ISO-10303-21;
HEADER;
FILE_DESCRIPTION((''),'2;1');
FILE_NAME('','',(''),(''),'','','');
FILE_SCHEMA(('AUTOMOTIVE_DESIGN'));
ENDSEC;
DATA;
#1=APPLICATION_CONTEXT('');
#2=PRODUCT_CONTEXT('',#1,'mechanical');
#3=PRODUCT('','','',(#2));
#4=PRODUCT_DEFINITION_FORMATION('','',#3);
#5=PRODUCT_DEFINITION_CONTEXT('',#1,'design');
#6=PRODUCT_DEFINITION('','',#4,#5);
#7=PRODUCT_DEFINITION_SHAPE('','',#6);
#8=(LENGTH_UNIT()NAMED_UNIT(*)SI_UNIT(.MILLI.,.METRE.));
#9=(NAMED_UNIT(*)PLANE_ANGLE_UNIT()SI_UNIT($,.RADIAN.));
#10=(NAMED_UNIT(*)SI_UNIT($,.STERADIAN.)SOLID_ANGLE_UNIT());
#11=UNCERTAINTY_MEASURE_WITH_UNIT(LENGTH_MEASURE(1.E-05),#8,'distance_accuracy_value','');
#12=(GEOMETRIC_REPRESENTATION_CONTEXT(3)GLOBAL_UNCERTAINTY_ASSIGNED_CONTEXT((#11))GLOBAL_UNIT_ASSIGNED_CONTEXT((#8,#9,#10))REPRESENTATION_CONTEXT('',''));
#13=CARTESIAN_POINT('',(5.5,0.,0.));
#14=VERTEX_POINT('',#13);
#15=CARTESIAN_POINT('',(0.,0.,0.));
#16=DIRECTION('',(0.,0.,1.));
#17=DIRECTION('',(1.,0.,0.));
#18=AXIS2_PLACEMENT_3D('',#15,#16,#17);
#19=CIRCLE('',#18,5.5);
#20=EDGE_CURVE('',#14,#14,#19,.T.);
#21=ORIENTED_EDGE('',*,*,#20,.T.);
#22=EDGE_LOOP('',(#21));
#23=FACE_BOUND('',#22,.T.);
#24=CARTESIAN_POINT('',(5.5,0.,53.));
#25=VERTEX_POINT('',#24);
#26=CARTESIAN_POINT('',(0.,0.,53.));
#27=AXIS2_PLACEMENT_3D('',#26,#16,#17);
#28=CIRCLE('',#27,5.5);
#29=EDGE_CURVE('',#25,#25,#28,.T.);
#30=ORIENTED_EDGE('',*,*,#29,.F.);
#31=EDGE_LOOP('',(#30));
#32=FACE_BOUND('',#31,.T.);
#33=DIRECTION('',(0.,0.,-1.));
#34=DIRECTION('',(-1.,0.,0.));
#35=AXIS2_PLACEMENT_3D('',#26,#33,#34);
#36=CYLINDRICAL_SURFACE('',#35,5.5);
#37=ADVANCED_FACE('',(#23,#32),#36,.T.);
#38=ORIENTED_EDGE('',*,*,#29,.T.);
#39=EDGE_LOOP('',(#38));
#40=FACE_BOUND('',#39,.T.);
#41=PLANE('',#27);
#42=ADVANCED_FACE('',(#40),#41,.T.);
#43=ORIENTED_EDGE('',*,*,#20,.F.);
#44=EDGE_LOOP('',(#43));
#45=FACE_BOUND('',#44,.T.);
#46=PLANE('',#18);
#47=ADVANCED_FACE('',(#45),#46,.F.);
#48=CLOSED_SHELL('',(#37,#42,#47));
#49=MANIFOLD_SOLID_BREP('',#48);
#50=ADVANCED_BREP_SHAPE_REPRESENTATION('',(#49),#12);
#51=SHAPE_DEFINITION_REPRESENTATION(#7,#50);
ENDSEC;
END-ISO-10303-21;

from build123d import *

# Parameters (mm, degrees)
ESQUISSE1_R        = 5.5
BOSS_EXTRU_1_DEPTH = 53


with BuildPart() as part:
    # Esquisse1 → Boss.-Extru.1 (new body)
    with BuildSketch(Plane.XY):
        Circle(ESQUISSE1_R)
    extrude(amount=BOSS_EXTRU_1_DEPTH)


solid = part.part
